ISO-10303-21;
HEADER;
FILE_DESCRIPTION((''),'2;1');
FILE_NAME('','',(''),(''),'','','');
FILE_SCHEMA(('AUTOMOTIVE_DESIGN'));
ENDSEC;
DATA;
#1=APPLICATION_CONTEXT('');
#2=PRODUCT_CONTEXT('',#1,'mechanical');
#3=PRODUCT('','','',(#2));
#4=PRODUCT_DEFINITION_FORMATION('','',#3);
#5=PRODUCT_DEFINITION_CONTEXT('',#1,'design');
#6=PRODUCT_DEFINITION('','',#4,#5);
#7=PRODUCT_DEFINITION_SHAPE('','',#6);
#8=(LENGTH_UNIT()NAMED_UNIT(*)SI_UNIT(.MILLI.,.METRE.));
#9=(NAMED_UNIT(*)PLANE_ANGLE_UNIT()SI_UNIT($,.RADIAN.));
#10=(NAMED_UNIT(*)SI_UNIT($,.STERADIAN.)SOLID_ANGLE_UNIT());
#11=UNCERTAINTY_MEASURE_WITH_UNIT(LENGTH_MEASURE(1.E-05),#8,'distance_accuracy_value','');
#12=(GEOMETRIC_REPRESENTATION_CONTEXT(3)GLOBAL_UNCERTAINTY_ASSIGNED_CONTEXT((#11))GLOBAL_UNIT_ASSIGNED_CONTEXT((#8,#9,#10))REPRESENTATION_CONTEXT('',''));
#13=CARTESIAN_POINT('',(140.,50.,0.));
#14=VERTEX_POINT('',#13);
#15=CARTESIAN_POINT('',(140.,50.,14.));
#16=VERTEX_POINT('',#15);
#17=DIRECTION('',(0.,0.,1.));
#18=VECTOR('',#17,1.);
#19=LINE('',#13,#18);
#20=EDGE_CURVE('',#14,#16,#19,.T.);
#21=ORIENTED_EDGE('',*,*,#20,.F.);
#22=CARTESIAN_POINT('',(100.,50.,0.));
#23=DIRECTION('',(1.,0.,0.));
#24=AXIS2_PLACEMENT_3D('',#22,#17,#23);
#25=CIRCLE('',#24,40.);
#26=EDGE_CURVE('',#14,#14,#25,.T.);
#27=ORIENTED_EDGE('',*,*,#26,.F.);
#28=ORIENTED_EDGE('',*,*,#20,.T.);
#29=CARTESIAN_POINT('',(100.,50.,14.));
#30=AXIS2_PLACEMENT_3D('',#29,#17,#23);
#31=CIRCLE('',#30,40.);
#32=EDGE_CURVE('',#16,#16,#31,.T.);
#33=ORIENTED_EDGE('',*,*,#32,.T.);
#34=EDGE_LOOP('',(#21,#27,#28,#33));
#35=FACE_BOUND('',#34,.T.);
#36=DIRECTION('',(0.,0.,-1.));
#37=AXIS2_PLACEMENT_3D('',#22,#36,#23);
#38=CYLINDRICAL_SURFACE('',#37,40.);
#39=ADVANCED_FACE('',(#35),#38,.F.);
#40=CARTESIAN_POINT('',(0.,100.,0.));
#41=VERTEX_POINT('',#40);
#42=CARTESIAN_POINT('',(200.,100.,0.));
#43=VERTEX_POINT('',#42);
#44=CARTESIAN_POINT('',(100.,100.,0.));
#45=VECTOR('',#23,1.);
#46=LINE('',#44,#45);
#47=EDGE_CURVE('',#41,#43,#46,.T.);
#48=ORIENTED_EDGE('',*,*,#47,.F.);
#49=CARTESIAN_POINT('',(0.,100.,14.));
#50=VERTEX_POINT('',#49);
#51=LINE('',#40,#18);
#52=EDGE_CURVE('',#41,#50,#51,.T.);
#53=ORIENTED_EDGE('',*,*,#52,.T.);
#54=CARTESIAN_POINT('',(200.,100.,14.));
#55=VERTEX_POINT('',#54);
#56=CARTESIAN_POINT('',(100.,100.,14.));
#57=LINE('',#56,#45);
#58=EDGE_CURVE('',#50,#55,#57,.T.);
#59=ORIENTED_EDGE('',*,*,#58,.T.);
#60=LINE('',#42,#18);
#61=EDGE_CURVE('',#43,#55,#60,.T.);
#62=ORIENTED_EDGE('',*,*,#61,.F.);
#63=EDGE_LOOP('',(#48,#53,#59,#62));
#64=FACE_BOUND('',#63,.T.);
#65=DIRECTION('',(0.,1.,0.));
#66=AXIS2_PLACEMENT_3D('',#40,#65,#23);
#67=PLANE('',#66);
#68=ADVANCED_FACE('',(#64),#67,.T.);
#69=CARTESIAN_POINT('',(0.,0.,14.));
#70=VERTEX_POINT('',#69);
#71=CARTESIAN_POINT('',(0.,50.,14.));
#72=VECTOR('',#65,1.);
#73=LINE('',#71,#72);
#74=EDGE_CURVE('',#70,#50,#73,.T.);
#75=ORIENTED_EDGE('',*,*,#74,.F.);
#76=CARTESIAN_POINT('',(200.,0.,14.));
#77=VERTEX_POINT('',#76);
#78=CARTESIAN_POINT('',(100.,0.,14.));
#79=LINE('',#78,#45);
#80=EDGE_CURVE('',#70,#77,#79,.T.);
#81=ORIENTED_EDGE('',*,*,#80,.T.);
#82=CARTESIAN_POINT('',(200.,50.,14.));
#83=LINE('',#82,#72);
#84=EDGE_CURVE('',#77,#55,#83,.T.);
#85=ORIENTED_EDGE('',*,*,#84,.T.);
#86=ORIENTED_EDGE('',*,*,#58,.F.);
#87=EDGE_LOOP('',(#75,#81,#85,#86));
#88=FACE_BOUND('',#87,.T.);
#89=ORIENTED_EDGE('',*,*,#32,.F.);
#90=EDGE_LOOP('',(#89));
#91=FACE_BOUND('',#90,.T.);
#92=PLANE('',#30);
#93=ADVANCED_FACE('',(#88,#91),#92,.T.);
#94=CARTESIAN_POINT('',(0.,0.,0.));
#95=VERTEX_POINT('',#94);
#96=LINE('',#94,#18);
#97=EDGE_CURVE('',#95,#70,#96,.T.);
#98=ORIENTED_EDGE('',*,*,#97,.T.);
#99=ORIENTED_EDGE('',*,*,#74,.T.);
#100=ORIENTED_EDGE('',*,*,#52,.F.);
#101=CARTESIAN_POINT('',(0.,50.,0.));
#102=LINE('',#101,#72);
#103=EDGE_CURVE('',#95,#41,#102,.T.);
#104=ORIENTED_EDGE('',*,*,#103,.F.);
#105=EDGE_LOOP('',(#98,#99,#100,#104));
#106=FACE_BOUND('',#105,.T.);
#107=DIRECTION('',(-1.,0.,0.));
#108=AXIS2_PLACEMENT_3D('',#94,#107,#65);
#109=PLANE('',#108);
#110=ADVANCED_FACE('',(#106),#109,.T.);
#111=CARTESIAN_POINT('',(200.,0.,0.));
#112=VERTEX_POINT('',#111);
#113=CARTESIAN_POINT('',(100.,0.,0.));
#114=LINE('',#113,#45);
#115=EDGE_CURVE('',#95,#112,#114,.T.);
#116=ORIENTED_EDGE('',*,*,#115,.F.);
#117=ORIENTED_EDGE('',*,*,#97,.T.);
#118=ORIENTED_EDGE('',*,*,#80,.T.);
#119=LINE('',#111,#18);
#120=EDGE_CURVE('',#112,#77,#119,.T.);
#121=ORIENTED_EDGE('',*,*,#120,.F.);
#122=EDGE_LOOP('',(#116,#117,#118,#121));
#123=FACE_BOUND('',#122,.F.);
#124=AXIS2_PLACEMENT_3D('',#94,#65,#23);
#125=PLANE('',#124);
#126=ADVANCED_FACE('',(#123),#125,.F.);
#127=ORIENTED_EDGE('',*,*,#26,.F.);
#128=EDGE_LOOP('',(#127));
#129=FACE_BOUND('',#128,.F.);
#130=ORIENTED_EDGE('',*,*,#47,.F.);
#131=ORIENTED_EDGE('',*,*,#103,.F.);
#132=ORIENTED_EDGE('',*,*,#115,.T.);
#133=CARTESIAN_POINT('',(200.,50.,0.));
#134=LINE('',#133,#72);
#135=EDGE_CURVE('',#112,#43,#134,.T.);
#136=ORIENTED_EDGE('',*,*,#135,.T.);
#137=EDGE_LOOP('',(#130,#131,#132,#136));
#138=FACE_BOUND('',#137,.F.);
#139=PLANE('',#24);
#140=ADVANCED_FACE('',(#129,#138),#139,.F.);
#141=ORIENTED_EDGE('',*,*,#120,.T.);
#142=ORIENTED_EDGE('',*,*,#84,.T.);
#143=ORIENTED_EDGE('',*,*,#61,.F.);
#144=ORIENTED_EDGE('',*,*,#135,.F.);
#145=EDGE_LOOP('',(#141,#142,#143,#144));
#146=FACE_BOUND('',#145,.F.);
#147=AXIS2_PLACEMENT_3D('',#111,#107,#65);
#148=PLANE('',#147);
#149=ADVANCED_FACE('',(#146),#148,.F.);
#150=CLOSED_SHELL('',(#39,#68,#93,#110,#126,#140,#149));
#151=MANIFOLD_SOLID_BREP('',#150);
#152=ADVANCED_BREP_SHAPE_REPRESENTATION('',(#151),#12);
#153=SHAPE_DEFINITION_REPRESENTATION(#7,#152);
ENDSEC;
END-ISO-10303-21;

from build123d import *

# Parameters (mm, degrees)
SKETCH_W  = 200
SKETCH_H  = 100
SKETCH_R  = 40
PAD_DEPTH = 14


with BuildPart() as part:
    # Sketch → Pad (new body)
    with BuildSketch(Plane.XY):
        with Locations((100, 50)):
            Rectangle(SKETCH_W, SKETCH_H)
        with Locations((100, 50)):
            Circle(SKETCH_R, mode=Mode.SUBTRACT)
    extrude(amount=PAD_DEPTH)


solid = part.part
